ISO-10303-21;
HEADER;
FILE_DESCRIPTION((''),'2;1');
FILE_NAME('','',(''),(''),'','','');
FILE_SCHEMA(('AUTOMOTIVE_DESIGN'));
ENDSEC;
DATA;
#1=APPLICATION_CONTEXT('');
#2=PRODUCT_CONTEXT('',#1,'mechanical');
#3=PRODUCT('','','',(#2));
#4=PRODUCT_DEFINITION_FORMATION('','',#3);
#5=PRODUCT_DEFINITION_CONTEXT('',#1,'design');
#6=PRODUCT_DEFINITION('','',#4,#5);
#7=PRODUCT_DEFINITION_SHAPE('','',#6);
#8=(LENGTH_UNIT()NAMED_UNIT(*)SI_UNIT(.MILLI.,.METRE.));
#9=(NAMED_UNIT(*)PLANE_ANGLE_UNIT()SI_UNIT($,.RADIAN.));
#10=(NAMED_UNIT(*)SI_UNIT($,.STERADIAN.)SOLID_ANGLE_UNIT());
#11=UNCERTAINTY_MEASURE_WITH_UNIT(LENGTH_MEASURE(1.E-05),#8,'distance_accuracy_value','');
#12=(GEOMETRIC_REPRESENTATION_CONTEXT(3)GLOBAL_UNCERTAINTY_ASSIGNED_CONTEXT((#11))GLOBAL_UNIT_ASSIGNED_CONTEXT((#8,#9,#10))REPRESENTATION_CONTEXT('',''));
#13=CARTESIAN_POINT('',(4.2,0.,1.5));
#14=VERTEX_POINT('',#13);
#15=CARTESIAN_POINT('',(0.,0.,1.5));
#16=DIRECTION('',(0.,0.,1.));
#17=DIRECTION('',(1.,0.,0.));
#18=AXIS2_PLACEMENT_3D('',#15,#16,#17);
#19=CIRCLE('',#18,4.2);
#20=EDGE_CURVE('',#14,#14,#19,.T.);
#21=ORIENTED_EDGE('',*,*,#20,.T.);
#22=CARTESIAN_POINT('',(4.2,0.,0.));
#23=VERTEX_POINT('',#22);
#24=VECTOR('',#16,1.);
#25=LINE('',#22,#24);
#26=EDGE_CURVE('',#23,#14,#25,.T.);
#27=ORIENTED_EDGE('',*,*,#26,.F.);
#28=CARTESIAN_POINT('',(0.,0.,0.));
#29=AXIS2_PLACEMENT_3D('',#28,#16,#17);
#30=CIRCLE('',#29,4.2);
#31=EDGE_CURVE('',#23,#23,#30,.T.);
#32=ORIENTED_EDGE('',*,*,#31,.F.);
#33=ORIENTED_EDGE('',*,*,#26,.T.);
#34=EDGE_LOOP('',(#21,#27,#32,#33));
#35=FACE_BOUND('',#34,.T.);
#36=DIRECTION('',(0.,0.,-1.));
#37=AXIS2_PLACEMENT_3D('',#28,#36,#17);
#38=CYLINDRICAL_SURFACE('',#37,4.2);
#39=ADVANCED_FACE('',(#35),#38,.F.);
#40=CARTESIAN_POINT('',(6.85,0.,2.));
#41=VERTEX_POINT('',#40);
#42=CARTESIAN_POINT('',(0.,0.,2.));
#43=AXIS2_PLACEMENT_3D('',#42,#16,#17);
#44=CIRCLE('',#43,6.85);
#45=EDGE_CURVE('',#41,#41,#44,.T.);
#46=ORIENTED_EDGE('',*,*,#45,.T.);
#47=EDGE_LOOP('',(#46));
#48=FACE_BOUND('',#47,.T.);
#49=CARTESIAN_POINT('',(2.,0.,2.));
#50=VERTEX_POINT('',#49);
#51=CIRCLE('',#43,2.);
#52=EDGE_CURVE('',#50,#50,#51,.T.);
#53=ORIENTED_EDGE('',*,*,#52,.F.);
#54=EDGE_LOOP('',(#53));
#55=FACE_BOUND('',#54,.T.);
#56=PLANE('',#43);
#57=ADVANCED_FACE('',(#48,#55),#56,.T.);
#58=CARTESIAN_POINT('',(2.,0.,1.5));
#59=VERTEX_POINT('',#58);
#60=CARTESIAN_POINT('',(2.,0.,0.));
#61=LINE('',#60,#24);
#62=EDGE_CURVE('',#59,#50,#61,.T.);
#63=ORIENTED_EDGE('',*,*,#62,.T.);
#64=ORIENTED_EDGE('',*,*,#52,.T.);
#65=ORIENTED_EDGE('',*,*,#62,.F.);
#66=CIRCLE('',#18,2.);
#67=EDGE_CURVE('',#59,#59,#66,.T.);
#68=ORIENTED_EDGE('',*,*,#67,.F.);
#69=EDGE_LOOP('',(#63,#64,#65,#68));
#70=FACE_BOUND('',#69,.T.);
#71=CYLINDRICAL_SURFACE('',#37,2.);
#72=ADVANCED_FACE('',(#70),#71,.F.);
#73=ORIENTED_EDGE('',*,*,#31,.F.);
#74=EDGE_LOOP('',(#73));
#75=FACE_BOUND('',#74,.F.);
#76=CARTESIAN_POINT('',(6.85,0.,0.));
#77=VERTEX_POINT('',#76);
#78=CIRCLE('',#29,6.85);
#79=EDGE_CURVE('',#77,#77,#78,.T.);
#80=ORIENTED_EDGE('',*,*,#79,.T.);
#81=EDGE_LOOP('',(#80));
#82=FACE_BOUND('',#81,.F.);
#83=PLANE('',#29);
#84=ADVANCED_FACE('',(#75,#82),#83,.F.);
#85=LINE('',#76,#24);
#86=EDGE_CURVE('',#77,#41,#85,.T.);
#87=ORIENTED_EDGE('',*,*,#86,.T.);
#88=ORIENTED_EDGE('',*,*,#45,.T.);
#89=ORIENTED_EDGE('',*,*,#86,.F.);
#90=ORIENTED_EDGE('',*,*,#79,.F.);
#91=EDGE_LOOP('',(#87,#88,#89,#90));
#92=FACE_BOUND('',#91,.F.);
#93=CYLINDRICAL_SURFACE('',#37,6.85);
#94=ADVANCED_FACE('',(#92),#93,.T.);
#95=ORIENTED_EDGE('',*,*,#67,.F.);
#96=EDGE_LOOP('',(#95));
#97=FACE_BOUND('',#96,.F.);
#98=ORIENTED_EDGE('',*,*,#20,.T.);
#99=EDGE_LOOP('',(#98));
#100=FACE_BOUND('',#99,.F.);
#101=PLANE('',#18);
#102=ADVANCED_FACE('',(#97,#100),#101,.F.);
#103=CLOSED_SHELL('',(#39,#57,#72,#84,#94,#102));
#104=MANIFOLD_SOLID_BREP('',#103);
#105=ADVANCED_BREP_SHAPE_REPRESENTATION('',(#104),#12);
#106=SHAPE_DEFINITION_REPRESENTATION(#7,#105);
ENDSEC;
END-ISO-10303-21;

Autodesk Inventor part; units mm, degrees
ref_plane "YZ Plane" through (0, 0, 0) normal (1, 0, 0) x (0, 1, 0)
ref_plane "XZ Plane" through (0, 0, 0) normal (0, 1, 0) x (-1, 0, 0)
ref_plane "XY Plane" through (0, 0, 0) normal (0, 0, 1) x (1, 0, 0)
sketch "Sketch1" plane through (0, 0, 0) normal (0, 0, 1) x (1, 0, 0)
  circle A0 centre (0, 0) radius 2
  circle A1 centre (0, 0) radius 4.2
  circle A2 centre (0, 0) radius 6.85
  dimension "d0" = 4
  dimension "d1" = 8.4
  dimension "d2" = 13.7
extrude "Extrusion1" add sketch "Sketch1" along normal blind 2 contours A1 | A2
extrude "Extrusion2" cut sketch "Sketch1" along normal blind 1.5 contours A1
properties part number "magnet holder v4"
